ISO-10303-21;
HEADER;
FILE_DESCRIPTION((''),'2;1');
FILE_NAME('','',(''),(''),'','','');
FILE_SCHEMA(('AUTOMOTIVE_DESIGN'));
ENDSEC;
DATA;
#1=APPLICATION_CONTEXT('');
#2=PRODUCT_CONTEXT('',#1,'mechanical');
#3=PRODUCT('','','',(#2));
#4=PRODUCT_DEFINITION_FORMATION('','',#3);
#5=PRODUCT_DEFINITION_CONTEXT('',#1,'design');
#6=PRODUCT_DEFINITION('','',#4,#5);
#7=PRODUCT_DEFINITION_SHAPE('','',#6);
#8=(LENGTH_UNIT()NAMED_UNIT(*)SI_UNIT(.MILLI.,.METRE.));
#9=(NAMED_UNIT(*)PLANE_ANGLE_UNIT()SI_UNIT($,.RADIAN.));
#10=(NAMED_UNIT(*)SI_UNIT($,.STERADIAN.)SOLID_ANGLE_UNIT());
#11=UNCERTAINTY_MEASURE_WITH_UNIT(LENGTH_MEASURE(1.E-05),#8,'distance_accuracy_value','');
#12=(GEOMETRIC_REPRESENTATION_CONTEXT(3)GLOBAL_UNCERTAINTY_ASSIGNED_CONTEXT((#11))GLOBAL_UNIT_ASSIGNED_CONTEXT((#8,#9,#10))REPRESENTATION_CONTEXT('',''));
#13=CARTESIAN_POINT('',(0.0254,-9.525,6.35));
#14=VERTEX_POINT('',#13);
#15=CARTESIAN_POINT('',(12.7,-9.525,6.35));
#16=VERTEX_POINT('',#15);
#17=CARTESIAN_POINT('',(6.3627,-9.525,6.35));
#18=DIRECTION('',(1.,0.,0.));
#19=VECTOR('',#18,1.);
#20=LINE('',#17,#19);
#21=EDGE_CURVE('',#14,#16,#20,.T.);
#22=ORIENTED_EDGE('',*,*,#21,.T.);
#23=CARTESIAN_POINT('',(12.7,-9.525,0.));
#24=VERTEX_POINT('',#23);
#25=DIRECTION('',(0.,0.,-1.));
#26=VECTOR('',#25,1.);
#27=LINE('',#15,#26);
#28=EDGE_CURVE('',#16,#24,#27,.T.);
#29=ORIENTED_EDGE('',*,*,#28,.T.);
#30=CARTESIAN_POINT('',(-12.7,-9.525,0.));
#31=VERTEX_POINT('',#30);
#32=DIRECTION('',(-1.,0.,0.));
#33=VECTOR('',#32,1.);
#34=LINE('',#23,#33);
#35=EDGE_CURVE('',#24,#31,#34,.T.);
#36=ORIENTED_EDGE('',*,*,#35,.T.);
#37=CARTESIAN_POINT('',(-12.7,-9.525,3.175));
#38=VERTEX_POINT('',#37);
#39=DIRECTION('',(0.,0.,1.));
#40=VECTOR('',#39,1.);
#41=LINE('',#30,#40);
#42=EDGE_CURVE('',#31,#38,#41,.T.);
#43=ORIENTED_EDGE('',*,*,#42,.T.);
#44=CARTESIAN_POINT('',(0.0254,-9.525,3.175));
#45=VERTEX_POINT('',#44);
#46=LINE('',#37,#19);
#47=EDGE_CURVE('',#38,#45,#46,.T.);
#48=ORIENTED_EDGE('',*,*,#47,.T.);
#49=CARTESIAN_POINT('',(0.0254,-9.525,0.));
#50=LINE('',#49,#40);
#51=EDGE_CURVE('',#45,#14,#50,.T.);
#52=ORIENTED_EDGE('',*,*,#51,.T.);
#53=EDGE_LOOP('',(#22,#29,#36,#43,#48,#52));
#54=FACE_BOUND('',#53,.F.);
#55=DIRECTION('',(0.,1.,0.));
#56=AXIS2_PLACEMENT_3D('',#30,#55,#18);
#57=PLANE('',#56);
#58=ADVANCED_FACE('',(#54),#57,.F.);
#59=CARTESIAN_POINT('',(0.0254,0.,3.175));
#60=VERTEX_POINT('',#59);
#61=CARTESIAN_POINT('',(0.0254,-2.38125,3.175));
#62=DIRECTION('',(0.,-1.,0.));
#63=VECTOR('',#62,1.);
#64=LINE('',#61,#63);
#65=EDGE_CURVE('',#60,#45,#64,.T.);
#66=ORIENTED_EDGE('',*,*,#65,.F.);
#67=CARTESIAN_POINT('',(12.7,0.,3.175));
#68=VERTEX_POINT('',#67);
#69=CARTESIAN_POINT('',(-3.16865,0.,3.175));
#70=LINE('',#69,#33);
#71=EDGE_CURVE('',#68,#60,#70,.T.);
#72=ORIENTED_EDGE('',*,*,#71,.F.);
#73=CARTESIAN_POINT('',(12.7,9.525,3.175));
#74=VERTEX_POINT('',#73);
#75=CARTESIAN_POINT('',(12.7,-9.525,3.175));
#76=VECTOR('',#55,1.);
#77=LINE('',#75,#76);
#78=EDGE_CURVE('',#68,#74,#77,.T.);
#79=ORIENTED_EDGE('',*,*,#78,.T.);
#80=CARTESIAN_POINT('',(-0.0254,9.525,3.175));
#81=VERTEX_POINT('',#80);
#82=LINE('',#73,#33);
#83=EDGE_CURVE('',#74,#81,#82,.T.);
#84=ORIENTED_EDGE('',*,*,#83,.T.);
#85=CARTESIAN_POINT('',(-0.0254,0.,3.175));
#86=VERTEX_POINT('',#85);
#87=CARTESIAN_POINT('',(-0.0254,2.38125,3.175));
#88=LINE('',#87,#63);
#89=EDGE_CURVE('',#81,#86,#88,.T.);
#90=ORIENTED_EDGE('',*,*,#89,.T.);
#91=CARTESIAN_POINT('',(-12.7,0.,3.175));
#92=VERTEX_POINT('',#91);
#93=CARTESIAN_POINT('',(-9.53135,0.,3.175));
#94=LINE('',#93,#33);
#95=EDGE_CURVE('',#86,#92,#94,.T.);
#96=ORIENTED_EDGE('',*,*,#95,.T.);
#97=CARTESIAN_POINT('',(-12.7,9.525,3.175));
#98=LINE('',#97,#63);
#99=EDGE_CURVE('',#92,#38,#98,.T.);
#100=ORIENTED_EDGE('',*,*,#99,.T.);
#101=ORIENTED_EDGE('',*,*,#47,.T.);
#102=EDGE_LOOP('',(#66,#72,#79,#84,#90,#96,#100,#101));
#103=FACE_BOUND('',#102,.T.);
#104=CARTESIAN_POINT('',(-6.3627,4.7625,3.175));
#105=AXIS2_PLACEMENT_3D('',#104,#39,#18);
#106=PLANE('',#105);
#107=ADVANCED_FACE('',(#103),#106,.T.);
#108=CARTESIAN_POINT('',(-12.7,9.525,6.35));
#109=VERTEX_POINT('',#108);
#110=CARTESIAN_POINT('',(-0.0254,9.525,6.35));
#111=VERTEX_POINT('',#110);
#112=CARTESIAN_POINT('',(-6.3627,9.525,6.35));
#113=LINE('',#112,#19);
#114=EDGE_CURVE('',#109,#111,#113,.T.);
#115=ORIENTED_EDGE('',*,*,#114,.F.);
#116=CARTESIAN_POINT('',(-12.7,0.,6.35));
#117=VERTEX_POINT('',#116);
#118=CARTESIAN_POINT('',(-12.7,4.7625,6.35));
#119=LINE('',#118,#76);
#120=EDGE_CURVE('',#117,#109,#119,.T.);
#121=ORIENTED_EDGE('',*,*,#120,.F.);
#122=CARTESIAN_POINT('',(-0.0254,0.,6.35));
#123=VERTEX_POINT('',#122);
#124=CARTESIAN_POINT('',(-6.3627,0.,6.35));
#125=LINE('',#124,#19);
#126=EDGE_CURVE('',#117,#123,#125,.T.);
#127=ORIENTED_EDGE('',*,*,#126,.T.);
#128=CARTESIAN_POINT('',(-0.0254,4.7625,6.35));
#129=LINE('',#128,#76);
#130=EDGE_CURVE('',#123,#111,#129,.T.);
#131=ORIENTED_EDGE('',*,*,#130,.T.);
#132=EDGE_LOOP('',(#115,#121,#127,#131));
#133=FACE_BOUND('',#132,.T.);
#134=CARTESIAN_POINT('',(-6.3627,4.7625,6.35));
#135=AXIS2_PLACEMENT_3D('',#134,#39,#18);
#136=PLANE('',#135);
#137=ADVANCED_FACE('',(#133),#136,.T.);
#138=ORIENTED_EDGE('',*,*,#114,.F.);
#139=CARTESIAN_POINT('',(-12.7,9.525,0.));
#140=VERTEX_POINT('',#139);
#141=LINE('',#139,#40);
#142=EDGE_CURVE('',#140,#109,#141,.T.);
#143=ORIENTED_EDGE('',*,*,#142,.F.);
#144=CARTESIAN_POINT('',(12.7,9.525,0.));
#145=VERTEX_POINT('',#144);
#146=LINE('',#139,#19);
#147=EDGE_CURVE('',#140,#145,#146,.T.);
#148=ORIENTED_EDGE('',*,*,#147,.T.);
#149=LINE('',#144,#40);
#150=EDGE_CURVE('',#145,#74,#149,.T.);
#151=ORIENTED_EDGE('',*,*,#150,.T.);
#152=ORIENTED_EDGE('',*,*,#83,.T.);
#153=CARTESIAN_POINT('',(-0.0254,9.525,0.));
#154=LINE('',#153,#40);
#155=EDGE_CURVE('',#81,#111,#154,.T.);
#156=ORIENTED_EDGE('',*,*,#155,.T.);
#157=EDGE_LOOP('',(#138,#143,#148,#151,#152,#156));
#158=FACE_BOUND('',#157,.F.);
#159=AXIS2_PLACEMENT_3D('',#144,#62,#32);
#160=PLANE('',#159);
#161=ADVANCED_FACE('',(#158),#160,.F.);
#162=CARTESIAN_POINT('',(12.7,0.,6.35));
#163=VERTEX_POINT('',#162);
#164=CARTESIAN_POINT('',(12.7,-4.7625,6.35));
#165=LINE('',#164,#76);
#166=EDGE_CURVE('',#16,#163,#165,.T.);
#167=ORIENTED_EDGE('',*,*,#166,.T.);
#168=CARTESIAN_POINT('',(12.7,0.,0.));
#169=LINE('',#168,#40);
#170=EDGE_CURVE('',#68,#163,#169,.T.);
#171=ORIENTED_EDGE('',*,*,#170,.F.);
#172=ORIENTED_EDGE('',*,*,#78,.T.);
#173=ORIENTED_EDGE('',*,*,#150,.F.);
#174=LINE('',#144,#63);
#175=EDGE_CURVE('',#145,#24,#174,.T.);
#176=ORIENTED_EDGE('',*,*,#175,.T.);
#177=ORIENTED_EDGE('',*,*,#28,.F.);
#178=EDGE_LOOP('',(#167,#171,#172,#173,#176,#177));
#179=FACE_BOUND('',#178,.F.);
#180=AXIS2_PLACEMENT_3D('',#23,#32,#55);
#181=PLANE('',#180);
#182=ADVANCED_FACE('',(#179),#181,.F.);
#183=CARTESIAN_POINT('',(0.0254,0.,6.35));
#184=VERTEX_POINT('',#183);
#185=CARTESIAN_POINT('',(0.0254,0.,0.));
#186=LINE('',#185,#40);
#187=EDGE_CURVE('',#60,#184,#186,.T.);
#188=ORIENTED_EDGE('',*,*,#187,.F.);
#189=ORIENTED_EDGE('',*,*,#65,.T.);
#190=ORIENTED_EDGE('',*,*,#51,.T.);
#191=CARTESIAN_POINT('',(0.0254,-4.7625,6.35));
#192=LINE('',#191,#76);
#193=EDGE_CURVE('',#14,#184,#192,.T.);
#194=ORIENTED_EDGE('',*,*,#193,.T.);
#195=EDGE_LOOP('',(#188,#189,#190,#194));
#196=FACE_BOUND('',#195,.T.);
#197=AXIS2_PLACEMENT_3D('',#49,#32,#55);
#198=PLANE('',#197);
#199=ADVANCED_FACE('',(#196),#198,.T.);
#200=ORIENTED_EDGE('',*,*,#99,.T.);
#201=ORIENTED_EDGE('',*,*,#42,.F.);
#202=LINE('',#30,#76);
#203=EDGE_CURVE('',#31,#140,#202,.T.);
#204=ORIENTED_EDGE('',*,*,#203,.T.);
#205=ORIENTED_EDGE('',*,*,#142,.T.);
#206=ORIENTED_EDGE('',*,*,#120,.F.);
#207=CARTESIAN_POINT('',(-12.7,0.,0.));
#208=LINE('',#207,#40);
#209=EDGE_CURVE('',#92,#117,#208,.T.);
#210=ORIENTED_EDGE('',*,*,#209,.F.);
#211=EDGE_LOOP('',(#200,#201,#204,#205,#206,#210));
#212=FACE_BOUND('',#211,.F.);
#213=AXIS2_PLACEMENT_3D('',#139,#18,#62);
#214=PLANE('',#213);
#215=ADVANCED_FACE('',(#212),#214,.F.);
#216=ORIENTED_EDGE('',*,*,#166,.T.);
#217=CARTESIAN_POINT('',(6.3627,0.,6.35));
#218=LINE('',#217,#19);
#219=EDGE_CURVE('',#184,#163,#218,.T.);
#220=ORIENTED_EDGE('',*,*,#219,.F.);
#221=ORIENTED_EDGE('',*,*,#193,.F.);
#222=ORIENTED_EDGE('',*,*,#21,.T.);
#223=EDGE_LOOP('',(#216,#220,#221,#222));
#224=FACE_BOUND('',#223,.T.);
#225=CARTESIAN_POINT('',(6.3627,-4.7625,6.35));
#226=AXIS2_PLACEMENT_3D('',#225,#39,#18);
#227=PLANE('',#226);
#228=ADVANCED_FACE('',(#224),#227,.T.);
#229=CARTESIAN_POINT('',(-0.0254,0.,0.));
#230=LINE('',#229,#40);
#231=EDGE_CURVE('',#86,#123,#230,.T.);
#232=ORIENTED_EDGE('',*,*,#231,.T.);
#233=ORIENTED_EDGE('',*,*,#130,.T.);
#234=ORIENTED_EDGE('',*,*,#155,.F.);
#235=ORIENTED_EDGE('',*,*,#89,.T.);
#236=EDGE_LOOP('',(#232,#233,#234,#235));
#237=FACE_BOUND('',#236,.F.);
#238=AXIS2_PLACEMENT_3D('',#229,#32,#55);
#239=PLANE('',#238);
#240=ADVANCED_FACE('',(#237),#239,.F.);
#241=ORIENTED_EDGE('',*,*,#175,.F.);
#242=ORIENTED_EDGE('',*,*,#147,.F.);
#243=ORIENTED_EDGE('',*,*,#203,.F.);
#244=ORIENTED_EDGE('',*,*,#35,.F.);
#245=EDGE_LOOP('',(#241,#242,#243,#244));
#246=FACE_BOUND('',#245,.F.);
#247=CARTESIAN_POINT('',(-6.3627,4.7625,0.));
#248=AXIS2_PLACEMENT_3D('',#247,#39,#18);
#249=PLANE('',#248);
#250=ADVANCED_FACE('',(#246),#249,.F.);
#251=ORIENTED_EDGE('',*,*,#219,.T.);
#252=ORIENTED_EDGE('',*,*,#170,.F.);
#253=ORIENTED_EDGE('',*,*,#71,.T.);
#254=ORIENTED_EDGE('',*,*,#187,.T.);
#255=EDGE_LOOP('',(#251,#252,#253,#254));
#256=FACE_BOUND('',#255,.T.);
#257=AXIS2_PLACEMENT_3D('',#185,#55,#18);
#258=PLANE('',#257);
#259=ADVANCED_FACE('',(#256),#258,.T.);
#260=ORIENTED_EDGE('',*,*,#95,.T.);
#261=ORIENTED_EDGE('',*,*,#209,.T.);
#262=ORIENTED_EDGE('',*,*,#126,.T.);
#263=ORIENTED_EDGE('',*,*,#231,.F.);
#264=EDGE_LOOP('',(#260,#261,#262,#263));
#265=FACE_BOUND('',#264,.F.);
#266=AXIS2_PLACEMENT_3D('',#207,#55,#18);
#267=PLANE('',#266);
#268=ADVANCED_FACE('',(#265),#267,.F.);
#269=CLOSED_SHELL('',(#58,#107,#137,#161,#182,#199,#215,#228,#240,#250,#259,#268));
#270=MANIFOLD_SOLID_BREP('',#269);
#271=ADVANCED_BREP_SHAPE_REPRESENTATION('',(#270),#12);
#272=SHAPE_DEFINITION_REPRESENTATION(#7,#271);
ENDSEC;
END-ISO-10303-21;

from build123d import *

# Parameters (mm, degrees)
F0_W     = 12.6746
F0_H     = 9.525
F0_W_2   = 0.0508
F1_DEPTH = 3.175
F2_DEPTH = 6.35


with BuildPart() as f1:
    # F0 (on Top) → F1 (new body)
    with BuildSketch(Plane.XY):
        with Locations((-6.3627, 4.7625)):
            Rectangle(F0_W, F0_H)
        with Locations((6.3627, 4.7625)):
            Rectangle(F0_W, F0_H)
        with Locations((6.3627, -4.7625)):
            Rectangle(F0_W, F0_H)
        with Locations((-6.3627, -4.7625)):
            Rectangle(F0_W, F0_H)
        with Locations((0, 4.7625)):
            Rectangle(F0_W_2, F0_H)
        with Locations((0, -4.7625)):
            Rectangle(F0_W_2, F0_H)
    extrude(amount=F1_DEPTH)

    # F0 (on Top) → F2 (join)
    with BuildSketch(Plane.XY):
        with Locations((6.3627, -4.7625)):
            Rectangle(F0_W, F0_H)
        with Locations((-6.3627, 4.7625)):
            Rectangle(F0_W, F0_H)
    extrude(amount=F2_DEPTH)


solid = f1.part
